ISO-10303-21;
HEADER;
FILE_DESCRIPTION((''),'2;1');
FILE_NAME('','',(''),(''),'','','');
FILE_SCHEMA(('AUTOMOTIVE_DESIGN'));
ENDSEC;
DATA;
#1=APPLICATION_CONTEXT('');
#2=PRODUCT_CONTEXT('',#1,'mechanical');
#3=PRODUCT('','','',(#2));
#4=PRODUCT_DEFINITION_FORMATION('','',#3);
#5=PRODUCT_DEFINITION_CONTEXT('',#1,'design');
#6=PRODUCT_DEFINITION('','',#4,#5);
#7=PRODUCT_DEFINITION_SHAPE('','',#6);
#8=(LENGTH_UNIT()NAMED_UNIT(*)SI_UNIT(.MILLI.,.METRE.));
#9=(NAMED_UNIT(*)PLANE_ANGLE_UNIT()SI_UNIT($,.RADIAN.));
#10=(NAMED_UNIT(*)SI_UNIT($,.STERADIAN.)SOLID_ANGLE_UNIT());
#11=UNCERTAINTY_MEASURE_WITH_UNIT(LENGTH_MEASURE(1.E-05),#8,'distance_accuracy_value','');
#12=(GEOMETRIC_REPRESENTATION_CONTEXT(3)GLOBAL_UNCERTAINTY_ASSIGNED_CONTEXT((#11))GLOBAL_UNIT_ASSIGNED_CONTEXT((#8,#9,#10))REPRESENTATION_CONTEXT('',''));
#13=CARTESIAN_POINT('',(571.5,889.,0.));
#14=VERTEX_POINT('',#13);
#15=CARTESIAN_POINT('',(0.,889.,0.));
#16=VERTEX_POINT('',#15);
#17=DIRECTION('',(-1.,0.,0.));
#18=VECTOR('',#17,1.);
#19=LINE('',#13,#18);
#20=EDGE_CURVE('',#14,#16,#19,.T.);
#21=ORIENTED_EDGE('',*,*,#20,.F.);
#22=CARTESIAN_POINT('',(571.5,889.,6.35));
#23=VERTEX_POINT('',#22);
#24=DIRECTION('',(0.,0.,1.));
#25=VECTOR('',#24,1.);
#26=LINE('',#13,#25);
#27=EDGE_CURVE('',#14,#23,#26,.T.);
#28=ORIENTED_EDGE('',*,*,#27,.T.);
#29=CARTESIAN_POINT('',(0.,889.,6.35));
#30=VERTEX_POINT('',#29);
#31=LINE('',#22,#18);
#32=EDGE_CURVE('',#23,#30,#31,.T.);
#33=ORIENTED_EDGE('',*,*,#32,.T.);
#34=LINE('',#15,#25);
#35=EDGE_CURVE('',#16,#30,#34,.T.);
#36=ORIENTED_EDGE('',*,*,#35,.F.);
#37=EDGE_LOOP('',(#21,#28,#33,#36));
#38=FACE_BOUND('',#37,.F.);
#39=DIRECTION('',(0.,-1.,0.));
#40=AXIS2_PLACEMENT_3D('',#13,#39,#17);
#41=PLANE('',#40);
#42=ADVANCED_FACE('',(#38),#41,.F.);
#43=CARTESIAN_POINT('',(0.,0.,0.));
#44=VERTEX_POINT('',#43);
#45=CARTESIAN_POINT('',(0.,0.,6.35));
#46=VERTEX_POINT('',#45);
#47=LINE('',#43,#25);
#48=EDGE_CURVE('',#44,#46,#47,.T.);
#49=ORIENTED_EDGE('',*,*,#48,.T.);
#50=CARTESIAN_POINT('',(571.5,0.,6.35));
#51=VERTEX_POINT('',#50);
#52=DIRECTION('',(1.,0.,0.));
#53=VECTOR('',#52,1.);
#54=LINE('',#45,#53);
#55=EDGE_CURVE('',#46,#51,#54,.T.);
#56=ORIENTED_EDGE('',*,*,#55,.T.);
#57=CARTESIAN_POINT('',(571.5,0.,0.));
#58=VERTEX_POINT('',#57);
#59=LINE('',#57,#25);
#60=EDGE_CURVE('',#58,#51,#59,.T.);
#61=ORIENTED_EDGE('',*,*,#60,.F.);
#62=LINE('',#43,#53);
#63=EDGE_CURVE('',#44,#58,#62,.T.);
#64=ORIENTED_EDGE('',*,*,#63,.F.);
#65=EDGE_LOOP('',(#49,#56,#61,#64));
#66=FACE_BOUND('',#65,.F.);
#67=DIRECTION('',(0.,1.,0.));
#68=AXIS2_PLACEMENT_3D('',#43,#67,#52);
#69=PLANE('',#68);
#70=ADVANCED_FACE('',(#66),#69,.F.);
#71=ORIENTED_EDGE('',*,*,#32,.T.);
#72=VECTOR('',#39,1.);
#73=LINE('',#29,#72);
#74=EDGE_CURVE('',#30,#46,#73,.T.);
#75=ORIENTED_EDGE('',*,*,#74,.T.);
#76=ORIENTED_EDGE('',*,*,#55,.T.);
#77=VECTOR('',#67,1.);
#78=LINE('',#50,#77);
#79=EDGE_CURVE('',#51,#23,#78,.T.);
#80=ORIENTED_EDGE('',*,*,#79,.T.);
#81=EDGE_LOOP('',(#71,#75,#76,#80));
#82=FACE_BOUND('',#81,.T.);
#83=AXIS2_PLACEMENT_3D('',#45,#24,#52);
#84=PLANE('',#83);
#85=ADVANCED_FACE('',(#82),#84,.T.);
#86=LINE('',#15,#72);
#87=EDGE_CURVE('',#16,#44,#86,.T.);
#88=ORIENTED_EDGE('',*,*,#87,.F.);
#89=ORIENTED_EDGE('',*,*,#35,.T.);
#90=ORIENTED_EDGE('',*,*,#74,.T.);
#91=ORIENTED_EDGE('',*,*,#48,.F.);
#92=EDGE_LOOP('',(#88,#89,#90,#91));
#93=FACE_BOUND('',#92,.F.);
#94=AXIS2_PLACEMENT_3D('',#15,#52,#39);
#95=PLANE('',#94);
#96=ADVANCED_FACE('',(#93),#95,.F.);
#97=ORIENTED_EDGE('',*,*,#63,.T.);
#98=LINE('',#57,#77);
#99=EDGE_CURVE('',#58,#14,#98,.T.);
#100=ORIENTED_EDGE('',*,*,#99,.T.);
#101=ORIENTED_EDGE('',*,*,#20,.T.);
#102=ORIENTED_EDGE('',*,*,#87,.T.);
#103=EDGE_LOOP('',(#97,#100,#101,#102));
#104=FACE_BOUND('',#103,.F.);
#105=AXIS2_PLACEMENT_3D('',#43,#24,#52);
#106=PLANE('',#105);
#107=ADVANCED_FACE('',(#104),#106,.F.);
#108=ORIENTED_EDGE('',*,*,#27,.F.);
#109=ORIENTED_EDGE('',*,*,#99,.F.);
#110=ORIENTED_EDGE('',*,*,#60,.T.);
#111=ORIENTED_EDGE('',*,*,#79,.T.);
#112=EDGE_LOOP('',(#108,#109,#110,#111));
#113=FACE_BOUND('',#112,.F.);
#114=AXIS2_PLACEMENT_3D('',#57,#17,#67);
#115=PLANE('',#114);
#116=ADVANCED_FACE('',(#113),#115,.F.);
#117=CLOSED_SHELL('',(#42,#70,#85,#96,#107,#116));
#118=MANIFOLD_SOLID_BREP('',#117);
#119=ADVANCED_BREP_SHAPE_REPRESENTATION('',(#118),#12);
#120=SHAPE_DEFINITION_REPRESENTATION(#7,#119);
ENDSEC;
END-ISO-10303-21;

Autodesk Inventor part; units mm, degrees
ref_plane "YZ Plane" through (0, 0, 0) normal (1, 0, 0) x (0, 1, 0)
ref_plane "XZ Plane" through (0, 0, 0) normal (0, 1, 0) x (-1, 0, 0)
ref_plane "XY Plane" through (0, 0, 0) normal (0, 0, 1) x (1, 0, 0)
sketch "Sketch1" plane through (0, 0, 0) normal (0, 0, 1) x (1, 0, 0)
  line L0 (0, 0) -> (571.5, 0)
  line L1 (571.5, 0) -> (571.5, 889)
  line L2 (571.5, 889) -> (0, 889)
  line L3 (0, 889) -> (0, 0)
  dimension "d0" = 571.5
  dimension "d1" = 889
extrude "Extrusion1" add sketch "Sketch1" along normal blind 6.35
properties part number "rat_enclosure_door_panel"
